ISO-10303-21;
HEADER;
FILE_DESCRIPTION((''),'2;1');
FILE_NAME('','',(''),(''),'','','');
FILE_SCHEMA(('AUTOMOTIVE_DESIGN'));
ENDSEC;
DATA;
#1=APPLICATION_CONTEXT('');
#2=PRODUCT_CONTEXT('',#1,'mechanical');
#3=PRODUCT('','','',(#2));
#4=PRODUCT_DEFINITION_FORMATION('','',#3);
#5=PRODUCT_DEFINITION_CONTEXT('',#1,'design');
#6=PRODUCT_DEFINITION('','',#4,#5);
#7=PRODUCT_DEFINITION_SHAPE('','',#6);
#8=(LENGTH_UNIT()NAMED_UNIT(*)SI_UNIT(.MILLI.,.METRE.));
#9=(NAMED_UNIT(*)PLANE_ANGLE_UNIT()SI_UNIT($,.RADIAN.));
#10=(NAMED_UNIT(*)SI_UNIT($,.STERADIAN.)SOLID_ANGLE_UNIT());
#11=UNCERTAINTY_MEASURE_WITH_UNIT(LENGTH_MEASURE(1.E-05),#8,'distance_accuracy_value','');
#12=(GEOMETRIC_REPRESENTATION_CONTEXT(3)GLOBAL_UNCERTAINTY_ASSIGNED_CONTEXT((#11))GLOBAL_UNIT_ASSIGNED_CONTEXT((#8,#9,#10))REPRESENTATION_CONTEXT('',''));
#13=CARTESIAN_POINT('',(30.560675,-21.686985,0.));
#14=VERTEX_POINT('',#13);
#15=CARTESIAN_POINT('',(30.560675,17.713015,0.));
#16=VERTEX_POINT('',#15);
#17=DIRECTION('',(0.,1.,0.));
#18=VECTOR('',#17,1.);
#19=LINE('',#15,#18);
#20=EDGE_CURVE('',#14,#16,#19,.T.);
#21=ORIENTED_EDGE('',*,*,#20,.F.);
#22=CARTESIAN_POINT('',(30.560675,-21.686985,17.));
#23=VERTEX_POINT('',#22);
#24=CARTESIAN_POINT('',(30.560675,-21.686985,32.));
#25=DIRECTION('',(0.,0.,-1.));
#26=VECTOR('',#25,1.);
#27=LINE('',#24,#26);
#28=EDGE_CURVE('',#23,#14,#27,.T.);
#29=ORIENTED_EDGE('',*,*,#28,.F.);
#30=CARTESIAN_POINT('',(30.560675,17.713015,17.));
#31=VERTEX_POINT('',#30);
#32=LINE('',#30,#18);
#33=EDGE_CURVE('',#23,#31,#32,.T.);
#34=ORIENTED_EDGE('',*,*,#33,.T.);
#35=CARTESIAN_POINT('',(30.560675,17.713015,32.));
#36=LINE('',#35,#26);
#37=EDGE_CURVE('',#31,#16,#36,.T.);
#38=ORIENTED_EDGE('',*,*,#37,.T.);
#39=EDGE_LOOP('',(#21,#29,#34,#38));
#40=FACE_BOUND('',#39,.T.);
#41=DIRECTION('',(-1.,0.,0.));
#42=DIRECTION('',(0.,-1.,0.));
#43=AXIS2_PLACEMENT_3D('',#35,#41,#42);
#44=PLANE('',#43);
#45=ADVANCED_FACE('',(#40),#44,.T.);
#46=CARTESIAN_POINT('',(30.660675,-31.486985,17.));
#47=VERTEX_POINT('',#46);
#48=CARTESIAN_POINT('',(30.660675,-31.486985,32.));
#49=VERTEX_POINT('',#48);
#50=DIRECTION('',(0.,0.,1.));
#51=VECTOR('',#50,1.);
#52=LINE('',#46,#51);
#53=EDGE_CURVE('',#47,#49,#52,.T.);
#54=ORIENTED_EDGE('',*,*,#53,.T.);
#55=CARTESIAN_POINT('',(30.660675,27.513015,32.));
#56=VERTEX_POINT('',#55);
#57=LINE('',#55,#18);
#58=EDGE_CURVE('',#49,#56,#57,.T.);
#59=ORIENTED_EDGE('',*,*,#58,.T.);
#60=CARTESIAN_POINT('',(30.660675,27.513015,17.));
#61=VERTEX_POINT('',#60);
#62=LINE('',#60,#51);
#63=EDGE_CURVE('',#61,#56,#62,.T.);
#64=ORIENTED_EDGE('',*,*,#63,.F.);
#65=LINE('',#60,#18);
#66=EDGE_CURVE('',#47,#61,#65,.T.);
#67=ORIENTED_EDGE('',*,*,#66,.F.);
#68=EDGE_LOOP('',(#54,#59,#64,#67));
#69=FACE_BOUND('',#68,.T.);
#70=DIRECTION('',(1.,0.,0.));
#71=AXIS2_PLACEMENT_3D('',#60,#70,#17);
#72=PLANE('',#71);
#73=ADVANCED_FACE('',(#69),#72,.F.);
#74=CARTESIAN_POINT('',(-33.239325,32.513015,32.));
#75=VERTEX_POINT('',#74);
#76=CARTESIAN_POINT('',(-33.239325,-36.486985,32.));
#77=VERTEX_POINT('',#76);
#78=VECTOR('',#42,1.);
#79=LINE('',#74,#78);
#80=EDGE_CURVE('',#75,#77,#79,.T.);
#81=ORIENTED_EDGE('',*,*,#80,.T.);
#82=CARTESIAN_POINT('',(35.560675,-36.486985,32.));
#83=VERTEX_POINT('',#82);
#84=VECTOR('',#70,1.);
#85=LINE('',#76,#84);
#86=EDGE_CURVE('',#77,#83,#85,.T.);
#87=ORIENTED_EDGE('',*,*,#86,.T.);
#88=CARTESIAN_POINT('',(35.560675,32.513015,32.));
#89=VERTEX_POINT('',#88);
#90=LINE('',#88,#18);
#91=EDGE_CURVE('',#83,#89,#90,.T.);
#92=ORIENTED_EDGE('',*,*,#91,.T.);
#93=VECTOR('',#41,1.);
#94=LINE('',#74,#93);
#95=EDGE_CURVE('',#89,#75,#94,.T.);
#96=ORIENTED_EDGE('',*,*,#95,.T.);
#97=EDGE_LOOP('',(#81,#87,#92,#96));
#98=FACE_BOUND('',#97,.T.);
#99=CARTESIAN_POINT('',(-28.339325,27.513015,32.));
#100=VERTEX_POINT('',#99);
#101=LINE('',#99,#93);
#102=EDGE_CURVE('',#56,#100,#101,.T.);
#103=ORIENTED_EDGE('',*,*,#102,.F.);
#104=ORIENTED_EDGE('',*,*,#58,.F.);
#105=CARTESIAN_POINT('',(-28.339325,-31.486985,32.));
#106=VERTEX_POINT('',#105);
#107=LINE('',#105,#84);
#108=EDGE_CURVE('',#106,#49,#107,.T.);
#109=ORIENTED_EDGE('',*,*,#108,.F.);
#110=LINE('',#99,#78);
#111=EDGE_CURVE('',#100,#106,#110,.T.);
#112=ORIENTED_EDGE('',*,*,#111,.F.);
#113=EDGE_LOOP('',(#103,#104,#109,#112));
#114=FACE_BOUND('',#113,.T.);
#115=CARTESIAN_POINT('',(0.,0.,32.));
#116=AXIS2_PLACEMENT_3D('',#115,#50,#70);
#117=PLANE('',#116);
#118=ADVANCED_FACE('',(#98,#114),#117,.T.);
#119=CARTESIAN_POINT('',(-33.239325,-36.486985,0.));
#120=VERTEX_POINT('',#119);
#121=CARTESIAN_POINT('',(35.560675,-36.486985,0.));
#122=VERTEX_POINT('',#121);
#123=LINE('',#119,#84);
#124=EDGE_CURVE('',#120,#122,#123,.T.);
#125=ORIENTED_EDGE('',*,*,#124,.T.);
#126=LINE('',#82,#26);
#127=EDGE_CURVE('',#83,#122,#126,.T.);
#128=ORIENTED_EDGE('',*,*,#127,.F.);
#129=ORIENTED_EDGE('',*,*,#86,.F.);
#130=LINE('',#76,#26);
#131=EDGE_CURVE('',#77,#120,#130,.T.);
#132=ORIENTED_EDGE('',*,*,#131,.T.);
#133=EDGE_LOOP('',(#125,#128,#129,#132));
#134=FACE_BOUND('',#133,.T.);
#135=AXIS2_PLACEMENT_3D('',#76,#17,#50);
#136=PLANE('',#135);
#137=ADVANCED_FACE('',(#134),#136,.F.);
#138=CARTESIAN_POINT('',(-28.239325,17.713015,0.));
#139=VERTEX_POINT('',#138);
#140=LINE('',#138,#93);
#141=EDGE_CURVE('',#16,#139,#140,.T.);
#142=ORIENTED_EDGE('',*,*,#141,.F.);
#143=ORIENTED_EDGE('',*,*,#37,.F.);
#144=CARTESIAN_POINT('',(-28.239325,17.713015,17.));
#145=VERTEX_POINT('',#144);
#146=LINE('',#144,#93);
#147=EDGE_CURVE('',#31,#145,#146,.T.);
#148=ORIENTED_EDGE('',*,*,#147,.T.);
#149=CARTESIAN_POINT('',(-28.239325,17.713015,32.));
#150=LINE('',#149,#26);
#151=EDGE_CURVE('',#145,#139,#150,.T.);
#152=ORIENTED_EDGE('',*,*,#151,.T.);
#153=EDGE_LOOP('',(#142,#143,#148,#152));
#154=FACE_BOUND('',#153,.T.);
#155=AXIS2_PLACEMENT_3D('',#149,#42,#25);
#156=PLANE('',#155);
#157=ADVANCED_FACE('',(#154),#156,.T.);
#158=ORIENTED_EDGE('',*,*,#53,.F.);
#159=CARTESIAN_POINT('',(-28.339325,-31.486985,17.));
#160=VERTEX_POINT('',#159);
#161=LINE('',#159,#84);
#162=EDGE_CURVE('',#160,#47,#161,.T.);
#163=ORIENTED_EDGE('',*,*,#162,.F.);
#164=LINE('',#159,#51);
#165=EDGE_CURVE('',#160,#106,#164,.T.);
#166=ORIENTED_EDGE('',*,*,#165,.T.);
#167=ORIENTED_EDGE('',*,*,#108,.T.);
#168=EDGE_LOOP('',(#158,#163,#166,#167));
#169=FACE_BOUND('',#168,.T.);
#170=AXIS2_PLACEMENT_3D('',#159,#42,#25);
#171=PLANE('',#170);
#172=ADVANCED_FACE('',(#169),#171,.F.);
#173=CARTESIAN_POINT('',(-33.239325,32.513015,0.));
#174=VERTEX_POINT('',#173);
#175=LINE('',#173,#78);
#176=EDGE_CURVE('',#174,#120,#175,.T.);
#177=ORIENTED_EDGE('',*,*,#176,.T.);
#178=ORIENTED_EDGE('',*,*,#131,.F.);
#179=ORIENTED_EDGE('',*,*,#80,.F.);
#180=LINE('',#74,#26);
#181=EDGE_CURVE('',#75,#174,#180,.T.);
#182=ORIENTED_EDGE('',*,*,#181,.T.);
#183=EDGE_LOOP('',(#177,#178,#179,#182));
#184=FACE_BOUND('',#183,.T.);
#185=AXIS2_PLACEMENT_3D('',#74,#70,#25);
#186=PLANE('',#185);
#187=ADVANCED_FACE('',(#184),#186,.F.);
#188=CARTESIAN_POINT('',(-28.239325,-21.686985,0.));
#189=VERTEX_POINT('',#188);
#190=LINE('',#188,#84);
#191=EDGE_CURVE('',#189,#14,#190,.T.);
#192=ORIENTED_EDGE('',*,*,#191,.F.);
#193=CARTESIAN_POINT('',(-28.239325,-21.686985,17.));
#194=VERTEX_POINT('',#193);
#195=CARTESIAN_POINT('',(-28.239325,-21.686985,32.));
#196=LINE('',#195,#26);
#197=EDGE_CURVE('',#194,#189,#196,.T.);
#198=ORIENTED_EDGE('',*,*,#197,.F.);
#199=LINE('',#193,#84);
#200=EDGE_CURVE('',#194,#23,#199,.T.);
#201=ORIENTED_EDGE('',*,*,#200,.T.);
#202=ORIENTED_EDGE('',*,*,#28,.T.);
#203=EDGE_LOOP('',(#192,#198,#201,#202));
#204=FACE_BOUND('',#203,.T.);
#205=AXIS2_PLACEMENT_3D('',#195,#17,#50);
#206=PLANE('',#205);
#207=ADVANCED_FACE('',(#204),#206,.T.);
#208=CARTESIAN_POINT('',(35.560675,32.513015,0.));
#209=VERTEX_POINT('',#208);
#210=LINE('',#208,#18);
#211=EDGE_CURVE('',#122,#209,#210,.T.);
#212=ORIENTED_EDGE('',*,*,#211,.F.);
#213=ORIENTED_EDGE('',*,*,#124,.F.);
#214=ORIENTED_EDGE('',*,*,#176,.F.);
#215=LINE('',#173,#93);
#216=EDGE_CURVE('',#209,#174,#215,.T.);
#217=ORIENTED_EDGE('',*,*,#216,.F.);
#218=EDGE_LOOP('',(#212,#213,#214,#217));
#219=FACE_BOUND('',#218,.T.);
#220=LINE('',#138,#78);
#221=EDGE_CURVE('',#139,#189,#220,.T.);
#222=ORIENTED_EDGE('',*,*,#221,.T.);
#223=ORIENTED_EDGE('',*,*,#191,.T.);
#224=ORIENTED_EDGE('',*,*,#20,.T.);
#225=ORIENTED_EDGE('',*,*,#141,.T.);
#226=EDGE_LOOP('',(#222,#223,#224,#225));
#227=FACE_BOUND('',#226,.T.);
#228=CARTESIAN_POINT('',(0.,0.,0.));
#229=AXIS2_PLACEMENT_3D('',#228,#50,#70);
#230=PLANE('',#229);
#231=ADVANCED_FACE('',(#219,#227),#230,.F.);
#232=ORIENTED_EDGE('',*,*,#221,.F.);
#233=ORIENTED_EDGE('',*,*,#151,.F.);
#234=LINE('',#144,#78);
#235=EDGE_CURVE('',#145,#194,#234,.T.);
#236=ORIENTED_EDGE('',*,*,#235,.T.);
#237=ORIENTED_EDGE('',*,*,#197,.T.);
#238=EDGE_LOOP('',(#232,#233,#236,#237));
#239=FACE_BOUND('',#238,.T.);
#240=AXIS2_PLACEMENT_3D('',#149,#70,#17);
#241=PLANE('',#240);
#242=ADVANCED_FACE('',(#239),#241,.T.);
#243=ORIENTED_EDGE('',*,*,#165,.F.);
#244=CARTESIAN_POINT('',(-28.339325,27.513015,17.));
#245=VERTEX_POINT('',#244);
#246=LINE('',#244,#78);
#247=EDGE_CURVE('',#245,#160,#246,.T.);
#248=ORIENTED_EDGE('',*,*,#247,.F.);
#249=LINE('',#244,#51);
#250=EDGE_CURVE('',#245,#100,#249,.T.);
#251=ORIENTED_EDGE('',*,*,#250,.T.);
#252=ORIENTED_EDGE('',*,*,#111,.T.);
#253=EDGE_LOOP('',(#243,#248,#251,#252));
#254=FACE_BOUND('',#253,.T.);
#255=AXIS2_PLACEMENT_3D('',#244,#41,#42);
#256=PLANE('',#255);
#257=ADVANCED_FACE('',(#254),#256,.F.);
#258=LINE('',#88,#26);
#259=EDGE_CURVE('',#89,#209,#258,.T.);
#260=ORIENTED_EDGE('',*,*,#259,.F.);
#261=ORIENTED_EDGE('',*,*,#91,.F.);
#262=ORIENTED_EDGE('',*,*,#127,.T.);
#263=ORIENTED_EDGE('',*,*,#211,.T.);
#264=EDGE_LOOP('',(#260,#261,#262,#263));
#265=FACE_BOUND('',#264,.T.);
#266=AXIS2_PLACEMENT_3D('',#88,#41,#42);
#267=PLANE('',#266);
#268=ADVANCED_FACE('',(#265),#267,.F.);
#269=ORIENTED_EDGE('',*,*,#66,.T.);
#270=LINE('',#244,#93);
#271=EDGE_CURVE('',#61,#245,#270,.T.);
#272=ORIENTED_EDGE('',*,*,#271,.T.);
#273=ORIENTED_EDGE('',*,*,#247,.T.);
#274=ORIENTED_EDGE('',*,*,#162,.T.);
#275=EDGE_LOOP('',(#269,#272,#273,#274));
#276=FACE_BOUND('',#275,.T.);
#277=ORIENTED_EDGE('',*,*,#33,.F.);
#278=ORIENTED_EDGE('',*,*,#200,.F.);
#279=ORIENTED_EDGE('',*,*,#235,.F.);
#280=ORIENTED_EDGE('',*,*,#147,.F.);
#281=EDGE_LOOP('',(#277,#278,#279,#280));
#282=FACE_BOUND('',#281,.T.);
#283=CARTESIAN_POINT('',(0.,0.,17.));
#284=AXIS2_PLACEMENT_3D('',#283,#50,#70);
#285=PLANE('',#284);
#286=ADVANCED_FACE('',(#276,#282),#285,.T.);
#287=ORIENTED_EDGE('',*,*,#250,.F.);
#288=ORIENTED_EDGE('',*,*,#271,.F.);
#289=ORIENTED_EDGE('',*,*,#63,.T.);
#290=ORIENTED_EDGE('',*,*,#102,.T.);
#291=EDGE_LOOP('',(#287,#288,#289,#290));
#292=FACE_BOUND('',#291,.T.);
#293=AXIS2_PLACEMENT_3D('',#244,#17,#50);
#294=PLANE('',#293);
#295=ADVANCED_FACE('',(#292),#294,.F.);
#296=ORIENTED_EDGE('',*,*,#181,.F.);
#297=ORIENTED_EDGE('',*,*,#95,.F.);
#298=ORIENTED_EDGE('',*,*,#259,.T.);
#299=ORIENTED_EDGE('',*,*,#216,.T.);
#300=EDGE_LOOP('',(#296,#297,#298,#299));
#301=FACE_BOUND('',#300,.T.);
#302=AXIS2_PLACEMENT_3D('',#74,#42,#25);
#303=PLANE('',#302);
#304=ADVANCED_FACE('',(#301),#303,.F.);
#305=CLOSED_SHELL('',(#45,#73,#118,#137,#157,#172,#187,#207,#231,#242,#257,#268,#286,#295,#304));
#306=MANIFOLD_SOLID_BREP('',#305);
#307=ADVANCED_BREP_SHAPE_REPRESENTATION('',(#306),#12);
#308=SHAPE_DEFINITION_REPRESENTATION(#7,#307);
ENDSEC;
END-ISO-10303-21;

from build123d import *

# Parameters (mm, degrees)
SKETCH_1_W          = 68.8
SKETCH_1_H          = 69
SKETCH_1_W_2        = 58.8
SKETCH_1_H_2        = 39.4
EXTRUDE_1_DEPTH     = 32
SKETCH_5_W          = 59
SKETCH_5_H          = 59
CUT_EXTRUDE_1_DEPTH = 15


with BuildPart() as part:
    # 草圖1 → 填料-伸長1 (new body)
    with BuildSketch(Plane.XY):
        with Locations((1.16067479, -1.986985019)):
            Rectangle(SKETCH_1_W, SKETCH_1_H)
        with Locations((1.16067479, -1.986985019)):
            Rectangle(SKETCH_1_W_2, SKETCH_1_H_2, mode=Mode.SUBTRACT)
    extrude(amount=EXTRUDE_1_DEPTH)

    # 草圖5 → 除料-伸長1 (cut)
    with BuildSketch(Plane.XY.offset(32)):
        with Locations((1.16067479, -1.986985019)):
            Rectangle(SKETCH_5_W, SKETCH_5_H)
    extrude(amount=-CUT_EXTRUDE_1_DEPTH, mode=Mode.SUBTRACT)


solid = part.part
